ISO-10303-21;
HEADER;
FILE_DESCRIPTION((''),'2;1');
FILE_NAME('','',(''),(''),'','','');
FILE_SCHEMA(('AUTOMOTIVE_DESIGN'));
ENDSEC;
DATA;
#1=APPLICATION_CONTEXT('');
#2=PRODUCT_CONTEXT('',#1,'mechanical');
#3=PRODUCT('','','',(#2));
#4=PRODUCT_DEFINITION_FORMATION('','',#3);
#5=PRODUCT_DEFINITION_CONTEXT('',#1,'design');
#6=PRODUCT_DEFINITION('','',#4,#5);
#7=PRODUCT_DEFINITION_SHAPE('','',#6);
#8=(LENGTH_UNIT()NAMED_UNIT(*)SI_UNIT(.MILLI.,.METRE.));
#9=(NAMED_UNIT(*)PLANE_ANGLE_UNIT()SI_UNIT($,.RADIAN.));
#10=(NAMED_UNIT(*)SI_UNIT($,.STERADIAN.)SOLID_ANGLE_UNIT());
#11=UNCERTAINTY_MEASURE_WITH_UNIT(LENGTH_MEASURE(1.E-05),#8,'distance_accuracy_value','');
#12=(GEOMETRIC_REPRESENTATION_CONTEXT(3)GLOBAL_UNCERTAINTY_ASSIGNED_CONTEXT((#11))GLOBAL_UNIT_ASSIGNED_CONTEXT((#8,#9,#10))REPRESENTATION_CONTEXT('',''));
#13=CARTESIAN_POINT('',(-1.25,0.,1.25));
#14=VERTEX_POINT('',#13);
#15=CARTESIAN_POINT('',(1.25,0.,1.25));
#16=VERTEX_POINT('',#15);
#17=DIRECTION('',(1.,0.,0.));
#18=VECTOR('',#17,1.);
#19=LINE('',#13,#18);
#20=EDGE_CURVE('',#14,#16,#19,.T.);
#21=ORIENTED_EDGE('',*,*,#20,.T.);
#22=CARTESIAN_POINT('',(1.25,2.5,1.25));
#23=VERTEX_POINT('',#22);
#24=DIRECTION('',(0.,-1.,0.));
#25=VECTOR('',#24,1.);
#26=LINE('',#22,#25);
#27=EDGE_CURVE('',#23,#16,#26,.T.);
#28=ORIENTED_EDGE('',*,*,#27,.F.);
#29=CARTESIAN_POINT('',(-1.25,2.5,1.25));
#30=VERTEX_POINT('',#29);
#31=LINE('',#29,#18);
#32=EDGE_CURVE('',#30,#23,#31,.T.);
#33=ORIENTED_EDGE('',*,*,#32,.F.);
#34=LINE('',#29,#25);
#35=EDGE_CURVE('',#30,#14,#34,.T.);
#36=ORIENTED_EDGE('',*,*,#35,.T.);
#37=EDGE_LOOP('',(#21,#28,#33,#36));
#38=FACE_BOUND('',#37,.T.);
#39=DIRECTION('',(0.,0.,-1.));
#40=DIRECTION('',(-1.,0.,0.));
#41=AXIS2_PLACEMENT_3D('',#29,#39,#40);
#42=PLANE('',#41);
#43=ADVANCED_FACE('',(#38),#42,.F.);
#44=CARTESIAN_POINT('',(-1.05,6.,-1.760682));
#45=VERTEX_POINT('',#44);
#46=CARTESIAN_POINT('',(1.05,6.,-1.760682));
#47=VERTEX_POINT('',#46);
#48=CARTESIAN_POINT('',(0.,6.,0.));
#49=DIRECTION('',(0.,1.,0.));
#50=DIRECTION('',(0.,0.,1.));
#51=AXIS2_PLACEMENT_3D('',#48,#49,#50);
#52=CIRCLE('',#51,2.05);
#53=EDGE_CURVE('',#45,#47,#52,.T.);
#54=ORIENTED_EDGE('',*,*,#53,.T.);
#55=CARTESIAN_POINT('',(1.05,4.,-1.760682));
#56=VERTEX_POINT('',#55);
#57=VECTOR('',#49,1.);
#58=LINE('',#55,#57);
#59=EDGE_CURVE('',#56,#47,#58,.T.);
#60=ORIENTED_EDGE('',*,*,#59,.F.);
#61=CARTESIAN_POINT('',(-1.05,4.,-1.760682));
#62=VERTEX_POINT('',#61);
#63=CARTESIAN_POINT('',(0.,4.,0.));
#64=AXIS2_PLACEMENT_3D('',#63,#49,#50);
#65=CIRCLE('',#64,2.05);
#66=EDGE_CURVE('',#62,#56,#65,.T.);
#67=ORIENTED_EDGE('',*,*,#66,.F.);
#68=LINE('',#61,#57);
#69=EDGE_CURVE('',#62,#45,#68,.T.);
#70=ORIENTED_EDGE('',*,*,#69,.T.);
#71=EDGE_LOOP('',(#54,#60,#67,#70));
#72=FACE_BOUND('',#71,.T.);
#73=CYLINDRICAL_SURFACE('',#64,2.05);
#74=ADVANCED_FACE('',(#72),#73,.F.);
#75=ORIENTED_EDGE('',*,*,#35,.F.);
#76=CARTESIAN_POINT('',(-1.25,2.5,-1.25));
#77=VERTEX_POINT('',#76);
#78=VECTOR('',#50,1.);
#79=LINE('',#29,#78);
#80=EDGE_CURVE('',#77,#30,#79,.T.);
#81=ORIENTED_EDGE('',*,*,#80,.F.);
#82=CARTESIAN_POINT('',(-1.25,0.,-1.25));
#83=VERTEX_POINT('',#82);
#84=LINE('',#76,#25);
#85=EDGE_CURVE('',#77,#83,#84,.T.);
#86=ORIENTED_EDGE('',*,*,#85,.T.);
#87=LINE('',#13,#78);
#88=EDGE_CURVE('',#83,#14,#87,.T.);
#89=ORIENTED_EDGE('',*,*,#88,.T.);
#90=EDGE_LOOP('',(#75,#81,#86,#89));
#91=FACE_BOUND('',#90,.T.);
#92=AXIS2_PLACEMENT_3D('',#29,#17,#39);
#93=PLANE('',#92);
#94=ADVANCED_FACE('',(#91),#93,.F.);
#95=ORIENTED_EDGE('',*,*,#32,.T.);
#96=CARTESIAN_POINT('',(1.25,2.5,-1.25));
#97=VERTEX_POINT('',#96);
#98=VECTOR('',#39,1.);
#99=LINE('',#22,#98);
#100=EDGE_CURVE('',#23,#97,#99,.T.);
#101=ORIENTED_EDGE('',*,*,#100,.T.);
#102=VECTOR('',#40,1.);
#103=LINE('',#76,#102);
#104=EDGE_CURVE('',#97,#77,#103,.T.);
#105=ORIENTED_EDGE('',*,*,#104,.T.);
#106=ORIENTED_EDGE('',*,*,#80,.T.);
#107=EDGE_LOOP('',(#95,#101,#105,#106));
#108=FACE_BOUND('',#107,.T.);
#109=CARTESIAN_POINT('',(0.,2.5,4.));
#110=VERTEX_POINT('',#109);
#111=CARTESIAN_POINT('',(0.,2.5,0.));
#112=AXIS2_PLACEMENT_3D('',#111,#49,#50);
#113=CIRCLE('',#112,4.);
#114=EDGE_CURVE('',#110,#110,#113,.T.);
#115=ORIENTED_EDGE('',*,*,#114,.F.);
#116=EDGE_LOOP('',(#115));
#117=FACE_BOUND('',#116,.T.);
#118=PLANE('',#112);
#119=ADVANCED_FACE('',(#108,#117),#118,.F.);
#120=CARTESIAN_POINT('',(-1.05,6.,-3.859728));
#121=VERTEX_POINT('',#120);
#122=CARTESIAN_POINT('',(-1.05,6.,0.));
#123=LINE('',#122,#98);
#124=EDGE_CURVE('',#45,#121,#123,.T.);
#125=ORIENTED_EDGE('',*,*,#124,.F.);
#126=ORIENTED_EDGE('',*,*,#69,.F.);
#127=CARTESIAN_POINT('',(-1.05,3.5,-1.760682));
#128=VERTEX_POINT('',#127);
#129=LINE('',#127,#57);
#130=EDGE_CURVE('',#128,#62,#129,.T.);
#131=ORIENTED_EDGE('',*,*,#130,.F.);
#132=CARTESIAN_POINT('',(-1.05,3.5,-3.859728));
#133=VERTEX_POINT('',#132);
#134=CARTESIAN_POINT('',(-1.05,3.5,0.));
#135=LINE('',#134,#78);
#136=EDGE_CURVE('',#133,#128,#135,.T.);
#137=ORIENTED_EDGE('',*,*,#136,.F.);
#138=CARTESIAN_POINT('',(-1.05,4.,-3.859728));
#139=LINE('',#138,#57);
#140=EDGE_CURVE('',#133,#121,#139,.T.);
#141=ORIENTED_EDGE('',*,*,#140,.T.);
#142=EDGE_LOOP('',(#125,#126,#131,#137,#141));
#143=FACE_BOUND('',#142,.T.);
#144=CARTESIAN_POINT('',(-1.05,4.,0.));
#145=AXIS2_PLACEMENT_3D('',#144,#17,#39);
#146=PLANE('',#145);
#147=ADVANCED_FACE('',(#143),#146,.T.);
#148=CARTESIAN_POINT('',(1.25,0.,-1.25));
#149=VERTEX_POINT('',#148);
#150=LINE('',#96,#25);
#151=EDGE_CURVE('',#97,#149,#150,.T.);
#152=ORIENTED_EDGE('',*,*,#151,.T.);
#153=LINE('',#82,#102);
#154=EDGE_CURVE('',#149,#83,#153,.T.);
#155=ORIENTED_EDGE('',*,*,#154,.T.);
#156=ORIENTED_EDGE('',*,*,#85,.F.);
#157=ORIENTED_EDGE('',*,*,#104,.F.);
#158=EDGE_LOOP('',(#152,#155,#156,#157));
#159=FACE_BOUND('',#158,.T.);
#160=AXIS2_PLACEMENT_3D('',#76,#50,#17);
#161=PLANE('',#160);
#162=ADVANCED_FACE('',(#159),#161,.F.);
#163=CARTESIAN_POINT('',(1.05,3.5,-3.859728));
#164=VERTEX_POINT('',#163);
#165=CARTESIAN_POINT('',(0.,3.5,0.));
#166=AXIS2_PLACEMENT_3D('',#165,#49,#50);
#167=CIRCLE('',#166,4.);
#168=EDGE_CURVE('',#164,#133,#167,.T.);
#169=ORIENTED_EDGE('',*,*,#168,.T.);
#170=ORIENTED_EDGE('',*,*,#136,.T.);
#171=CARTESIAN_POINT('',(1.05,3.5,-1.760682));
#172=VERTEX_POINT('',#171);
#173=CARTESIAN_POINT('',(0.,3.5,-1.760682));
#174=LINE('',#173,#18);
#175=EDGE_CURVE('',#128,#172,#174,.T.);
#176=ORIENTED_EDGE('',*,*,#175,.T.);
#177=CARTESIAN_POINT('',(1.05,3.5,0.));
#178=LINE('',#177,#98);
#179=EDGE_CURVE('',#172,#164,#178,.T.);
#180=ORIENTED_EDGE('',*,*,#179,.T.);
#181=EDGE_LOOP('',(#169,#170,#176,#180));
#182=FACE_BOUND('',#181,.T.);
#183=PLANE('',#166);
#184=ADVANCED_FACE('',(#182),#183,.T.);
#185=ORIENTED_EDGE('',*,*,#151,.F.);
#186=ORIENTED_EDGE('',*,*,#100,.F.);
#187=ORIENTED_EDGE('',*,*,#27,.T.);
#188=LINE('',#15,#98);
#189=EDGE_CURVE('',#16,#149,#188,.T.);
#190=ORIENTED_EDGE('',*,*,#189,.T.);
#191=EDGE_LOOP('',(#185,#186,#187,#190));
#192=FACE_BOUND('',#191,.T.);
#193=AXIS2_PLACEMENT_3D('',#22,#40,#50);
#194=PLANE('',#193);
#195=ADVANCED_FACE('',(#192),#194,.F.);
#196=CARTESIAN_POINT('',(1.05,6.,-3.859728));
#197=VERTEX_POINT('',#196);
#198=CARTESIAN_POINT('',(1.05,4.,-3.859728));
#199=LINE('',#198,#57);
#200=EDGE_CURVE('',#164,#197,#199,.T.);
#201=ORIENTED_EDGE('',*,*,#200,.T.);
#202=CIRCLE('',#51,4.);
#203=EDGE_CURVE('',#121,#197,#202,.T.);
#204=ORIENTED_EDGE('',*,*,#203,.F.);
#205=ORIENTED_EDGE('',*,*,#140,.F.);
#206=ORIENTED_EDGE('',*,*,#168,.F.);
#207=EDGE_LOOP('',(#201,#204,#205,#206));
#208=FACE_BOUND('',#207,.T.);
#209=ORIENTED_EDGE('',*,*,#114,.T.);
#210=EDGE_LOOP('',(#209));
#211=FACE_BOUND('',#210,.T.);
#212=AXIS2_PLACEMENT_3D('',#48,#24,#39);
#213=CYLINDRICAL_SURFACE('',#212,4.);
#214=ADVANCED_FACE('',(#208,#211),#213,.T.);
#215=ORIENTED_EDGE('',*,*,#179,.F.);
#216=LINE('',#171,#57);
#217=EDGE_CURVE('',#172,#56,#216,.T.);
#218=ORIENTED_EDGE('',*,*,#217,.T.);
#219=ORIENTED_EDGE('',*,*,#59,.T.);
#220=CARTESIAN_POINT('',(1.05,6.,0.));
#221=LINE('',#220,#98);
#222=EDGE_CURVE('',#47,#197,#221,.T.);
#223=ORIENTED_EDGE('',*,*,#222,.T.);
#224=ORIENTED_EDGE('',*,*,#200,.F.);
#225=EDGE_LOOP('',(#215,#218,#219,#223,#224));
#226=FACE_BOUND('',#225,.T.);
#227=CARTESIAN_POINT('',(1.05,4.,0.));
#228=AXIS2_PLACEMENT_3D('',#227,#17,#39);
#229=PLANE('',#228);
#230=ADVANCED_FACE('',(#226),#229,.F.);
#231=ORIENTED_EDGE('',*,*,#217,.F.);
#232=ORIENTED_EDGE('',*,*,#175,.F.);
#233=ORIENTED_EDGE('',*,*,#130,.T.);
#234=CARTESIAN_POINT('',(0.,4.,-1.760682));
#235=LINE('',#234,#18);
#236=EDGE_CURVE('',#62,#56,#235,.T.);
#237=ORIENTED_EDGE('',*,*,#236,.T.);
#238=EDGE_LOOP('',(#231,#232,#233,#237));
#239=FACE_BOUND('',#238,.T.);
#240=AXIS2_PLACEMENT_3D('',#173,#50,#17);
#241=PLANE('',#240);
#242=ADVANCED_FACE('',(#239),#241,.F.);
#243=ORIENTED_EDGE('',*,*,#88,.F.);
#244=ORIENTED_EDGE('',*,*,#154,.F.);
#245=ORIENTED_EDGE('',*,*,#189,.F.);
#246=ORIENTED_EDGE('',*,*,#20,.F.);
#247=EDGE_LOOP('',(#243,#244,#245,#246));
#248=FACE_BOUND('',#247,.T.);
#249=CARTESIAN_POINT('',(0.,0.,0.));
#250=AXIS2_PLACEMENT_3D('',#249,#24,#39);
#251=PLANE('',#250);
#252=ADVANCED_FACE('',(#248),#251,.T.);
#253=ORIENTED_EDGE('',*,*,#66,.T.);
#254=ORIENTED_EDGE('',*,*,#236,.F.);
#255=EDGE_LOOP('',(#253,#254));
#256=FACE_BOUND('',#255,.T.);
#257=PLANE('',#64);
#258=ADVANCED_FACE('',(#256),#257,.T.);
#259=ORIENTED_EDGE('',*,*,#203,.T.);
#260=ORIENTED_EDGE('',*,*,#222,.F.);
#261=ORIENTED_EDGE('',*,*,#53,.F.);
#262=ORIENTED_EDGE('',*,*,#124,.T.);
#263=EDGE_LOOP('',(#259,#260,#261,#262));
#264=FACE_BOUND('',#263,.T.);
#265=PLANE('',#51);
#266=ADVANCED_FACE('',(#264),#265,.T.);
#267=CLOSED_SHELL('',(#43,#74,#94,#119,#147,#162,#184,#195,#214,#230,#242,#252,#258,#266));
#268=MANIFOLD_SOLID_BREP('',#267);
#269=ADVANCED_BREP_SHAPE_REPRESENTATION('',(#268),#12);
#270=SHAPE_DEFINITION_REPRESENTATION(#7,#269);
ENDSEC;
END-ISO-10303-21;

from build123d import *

# Parameters (mm, degrees)
SKETCH1_W           = 2.5
SKETCH1_H           = 2.5
BOSS_EXTRUDE1_DEPTH = 2.5
SKETCH2_R           = 4
BOSS_EXTRUDE2_DEPTH = 3.5
CUT_EXTRUDE1_DEPTH  = 2
CUT_EXTRUDE2_DEPTH  = 0.5


with BuildPart() as part:
    # Sketch1 → Boss-Extrude1 (new body)
    with BuildSketch(Plane(origin=(0, 0, 0), x_dir=(1, 0, 0), z_dir=(0, 1, 0))):
        Rectangle(SKETCH1_W, SKETCH1_H)
    extrude(amount=BOSS_EXTRUDE1_DEPTH)

    # Sketch2 → Boss-Extrude2 (add)
    with BuildSketch(Plane(origin=(0, 2.5, 0), x_dir=(1, 0, 0), z_dir=(0, 1, 0))):
        with Locations(Location((0, 0, 0), (0, 0, 270))):
            Circle(SKETCH2_R)
    extrude(amount=BOSS_EXTRUDE2_DEPTH)

    # Sketch3 → Cut-Extrude1 (cut)
    with BuildSketch(Plane(origin=(0, 6, 0), x_dir=(1, 0, 0), z_dir=(0, 1, 0))):
        with BuildLine():
            Line((1.05, 1.760681686), (1.05, 4))
            Line((1.05, 4), (-1.05, 4))
            Line((-1.05, 4), (-1.05, 1.760681686))
            ThreePointArc((-1.05, 1.760681686), (0, -2.05), (1.05, 1.760681686))
        make_face()
    extrude(amount=-CUT_EXTRUDE1_DEPTH, mode=Mode.SUBTRACT)

    # Sketch5 → Cut-Extrude2 (cut)
    with BuildSketch(Plane(origin=(0, 4, 0), x_dir=(1, 0, 0), z_dir=(0, 1, 0))):
        with BuildLine():
            ThreePointArc((1.05, 1.760681686), (0, 2.05), (-1.05, 1.760681686))
            Line((-1.05, 1.760681686), (1.05, 1.760681686))
        make_face()
        with BuildLine():
            Line((-1.05, 3.85972797), (-1.05, 1.760681686))
            ThreePointArc((-1.05, 1.760681686), (0, 2.05), (1.05, 1.760681686))
            Line((1.05, 1.760681686), (1.05, 3.85972797))
            ThreePointArc((1.05, 3.85972797), (0.5296641, 3.964776909), (-2e-09, 4))
            ThreePointArc((-2e-09, 4), (-0.529664103, 3.964776909), (-1.05, 3.85972797))
        make_face()
    extrude(amount=-CUT_EXTRUDE2_DEPTH, mode=Mode.SUBTRACT)


solid = part.part
